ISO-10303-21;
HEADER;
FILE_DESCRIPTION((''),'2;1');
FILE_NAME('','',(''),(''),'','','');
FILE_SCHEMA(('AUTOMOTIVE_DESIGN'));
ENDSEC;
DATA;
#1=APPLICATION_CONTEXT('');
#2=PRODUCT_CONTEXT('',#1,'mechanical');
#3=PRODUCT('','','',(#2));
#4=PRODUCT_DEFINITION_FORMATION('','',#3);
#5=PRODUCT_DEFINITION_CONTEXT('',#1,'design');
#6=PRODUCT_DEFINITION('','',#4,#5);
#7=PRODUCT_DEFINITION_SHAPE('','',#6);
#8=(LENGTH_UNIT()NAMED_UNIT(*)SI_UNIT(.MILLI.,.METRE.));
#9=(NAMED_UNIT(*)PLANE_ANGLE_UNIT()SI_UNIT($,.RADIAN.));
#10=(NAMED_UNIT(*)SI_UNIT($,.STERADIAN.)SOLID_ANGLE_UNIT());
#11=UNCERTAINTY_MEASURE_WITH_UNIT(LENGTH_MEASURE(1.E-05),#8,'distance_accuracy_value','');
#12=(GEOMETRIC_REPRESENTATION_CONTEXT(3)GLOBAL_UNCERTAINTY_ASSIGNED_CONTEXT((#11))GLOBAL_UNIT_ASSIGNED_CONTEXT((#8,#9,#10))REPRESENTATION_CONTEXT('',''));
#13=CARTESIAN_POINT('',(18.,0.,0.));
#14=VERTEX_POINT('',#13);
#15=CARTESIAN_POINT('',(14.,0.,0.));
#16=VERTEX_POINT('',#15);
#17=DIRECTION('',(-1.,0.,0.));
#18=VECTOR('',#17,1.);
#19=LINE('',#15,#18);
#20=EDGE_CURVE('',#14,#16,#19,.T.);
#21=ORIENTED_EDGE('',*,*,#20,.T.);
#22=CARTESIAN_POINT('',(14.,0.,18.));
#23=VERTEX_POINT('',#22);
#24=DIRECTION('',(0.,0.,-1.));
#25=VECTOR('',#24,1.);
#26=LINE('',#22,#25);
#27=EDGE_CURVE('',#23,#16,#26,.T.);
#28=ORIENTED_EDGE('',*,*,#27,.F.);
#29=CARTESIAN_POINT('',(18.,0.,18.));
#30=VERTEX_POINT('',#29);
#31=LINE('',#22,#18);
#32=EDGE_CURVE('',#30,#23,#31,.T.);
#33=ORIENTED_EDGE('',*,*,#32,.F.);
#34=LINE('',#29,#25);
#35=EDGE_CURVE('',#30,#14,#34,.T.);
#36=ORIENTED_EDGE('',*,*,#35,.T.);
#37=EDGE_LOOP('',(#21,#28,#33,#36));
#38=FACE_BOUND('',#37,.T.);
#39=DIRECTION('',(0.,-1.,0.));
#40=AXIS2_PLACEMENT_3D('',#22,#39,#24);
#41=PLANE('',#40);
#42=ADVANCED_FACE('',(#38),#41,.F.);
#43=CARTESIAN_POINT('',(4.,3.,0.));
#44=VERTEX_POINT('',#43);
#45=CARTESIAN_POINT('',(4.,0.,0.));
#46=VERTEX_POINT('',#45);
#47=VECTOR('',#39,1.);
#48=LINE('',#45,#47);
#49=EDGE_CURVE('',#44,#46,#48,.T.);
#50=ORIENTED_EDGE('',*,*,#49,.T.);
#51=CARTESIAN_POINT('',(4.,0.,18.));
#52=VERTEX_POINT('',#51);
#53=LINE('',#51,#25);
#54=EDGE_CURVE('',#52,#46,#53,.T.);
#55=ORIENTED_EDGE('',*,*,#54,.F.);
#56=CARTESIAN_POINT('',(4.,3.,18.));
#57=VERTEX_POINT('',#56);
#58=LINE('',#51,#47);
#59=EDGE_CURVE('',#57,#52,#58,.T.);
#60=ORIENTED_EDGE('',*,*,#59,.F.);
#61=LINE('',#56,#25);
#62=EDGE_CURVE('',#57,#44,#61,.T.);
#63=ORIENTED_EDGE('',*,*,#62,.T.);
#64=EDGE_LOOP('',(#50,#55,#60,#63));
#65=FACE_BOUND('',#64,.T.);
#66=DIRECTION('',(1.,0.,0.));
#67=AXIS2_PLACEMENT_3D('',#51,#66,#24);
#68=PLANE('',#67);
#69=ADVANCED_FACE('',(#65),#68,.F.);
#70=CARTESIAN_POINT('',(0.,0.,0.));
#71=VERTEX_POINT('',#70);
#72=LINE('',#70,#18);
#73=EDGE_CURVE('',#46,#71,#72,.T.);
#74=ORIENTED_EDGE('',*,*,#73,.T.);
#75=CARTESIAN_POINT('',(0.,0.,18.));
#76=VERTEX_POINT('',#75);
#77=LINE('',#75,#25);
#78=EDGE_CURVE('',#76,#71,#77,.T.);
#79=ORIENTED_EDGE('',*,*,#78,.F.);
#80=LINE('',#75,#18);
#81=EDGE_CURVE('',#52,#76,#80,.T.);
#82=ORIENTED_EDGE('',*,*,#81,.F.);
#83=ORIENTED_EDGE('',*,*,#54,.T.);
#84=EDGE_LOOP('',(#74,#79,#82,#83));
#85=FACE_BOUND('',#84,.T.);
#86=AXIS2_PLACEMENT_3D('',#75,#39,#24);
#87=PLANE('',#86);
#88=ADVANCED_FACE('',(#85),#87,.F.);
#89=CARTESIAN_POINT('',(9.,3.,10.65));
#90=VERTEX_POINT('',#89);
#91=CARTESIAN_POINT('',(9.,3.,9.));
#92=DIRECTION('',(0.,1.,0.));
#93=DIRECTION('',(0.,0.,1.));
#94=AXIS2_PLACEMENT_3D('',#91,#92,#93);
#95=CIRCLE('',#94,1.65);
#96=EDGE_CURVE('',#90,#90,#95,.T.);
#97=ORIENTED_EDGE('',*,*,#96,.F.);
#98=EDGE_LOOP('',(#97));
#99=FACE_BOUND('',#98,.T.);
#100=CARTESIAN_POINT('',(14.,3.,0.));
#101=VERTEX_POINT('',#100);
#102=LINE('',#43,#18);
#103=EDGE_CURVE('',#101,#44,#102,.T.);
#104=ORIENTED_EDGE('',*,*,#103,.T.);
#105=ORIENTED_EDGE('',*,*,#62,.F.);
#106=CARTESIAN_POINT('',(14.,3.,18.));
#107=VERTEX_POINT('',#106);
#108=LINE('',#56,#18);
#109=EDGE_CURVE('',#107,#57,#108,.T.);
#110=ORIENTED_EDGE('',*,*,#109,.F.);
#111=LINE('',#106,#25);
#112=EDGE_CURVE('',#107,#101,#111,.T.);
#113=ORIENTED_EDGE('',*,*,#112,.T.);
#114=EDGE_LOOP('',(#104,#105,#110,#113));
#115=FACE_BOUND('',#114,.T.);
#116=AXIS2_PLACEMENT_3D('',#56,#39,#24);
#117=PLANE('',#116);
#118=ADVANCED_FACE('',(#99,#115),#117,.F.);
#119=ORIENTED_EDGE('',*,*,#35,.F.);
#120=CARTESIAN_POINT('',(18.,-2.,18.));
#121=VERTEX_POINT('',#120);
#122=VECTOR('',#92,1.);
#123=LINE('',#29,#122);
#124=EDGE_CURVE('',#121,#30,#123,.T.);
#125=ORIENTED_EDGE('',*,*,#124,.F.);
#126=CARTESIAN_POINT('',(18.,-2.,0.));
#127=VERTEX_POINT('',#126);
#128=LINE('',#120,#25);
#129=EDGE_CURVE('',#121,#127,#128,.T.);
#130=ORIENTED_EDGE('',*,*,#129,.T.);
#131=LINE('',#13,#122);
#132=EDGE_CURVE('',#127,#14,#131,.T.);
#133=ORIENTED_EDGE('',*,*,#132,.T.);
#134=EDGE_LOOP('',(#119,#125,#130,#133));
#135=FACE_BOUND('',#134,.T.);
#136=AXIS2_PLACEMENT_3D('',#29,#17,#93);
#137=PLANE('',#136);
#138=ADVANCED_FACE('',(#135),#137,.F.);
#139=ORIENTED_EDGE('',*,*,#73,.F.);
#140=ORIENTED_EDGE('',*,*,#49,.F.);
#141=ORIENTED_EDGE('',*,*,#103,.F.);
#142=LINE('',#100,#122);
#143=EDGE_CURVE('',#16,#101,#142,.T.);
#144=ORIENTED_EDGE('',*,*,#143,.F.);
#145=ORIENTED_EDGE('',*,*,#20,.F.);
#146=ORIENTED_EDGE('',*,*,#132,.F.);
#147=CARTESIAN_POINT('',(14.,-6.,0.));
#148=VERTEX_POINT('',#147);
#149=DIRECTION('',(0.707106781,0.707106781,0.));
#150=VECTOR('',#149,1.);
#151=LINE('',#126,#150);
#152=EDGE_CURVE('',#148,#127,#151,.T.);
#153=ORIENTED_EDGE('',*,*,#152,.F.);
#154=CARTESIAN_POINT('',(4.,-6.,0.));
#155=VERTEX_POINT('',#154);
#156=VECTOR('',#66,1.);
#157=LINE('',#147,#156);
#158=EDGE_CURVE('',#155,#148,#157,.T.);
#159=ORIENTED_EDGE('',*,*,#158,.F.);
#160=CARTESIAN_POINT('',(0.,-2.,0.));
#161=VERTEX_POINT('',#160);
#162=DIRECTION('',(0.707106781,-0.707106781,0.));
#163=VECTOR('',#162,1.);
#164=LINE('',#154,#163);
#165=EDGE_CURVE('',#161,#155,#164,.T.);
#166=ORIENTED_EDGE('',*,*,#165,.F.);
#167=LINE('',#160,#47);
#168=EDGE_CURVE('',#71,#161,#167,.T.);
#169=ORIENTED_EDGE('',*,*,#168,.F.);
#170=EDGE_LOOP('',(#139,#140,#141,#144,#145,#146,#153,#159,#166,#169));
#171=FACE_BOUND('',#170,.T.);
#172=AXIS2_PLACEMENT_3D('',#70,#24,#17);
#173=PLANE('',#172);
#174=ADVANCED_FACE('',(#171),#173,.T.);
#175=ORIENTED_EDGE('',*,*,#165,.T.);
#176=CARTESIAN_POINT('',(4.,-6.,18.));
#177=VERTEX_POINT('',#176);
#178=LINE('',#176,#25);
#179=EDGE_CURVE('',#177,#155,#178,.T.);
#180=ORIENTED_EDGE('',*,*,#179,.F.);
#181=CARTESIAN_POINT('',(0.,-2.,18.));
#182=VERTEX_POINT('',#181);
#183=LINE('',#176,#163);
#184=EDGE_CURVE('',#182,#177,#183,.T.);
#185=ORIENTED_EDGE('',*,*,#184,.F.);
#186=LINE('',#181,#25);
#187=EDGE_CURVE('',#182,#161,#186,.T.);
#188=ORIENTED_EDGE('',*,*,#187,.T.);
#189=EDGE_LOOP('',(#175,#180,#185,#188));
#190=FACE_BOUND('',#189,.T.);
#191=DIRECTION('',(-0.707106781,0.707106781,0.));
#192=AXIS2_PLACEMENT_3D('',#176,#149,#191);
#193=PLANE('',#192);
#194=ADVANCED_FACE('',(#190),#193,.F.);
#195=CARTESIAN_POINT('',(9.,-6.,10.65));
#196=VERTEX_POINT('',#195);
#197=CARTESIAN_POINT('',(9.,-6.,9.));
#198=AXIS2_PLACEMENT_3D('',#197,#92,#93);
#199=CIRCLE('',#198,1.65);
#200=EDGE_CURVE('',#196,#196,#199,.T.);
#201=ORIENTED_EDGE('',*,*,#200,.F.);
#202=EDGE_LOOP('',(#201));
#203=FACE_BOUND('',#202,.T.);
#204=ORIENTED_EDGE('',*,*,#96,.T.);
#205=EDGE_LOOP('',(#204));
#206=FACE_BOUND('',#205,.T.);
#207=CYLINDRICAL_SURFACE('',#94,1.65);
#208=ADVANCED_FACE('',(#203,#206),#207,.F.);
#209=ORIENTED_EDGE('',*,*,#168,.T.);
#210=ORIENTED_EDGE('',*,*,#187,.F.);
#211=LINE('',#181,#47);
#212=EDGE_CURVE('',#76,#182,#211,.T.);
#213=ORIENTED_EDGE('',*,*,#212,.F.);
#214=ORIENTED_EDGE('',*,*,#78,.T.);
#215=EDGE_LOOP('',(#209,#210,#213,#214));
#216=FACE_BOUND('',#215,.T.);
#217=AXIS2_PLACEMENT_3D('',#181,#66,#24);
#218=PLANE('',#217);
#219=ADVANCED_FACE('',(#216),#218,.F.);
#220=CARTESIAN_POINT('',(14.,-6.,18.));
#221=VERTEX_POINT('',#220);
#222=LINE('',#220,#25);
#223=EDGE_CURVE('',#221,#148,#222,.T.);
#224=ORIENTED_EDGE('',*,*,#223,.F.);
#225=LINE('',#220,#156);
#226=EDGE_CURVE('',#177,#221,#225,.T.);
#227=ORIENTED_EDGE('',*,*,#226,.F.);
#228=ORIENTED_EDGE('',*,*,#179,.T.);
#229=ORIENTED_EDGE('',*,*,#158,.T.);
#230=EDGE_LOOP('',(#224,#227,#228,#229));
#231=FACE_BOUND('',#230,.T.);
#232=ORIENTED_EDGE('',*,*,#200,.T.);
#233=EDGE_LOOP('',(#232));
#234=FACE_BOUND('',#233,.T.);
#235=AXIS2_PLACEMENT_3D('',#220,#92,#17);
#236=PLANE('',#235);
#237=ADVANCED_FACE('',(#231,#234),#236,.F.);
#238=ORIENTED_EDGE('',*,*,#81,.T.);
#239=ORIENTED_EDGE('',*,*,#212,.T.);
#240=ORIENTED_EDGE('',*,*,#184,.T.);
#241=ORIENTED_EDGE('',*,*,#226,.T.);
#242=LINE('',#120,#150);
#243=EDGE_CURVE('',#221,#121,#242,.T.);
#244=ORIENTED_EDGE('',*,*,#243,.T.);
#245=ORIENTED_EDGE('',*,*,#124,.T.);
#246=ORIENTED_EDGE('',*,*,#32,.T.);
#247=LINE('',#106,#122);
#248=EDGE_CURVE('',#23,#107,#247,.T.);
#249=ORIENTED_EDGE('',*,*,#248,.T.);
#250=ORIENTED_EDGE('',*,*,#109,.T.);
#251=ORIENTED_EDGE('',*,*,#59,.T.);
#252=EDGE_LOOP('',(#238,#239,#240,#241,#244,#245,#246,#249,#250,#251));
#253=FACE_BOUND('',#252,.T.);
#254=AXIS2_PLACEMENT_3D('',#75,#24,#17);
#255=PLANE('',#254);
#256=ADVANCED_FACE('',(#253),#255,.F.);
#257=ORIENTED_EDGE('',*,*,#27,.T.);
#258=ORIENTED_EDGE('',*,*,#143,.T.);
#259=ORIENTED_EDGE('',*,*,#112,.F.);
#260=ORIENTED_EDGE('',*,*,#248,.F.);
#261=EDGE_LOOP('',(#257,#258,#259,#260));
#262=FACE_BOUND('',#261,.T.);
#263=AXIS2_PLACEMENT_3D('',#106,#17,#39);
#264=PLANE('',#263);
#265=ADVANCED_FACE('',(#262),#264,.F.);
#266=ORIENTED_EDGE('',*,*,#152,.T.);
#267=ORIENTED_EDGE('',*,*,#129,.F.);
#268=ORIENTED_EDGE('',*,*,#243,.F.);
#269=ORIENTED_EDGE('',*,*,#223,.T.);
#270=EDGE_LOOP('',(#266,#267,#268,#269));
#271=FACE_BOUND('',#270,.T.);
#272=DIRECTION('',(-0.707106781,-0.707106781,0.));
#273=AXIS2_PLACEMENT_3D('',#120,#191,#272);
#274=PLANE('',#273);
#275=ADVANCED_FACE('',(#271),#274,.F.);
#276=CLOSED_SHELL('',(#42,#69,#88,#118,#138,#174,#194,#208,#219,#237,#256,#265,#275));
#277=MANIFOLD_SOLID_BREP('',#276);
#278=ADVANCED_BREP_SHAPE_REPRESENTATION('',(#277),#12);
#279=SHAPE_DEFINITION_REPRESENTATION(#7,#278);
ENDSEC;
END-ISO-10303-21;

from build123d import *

# Parameters (mm, degrees)
EXTRUDE_1_DEPTH    = 18
HOLE_WIZARD_M4_1_D = 3.3


with BuildPart() as part:
    # 草图1 → 拉伸1 (new body)
    with BuildSketch(Plane.XY):
        Polygon((0, 0), (4, 0), (4, 3), (14, 3), (14, 0), (18, 0), (18, -2), (14, -6), (4, -6), (0, -2), align=None)
    extrude(amount=EXTRUDE_1_DEPTH)

    # M4 螺纹孔1 (through all)
    with Locations(Plane(origin=(9, 3, 9), x_dir=(0, 0, 1), z_dir=(0, 1, 0))):
        with Locations((0, 0)):
            Hole(HOLE_WIZARD_M4_1_D / 2)


solid = part.part
